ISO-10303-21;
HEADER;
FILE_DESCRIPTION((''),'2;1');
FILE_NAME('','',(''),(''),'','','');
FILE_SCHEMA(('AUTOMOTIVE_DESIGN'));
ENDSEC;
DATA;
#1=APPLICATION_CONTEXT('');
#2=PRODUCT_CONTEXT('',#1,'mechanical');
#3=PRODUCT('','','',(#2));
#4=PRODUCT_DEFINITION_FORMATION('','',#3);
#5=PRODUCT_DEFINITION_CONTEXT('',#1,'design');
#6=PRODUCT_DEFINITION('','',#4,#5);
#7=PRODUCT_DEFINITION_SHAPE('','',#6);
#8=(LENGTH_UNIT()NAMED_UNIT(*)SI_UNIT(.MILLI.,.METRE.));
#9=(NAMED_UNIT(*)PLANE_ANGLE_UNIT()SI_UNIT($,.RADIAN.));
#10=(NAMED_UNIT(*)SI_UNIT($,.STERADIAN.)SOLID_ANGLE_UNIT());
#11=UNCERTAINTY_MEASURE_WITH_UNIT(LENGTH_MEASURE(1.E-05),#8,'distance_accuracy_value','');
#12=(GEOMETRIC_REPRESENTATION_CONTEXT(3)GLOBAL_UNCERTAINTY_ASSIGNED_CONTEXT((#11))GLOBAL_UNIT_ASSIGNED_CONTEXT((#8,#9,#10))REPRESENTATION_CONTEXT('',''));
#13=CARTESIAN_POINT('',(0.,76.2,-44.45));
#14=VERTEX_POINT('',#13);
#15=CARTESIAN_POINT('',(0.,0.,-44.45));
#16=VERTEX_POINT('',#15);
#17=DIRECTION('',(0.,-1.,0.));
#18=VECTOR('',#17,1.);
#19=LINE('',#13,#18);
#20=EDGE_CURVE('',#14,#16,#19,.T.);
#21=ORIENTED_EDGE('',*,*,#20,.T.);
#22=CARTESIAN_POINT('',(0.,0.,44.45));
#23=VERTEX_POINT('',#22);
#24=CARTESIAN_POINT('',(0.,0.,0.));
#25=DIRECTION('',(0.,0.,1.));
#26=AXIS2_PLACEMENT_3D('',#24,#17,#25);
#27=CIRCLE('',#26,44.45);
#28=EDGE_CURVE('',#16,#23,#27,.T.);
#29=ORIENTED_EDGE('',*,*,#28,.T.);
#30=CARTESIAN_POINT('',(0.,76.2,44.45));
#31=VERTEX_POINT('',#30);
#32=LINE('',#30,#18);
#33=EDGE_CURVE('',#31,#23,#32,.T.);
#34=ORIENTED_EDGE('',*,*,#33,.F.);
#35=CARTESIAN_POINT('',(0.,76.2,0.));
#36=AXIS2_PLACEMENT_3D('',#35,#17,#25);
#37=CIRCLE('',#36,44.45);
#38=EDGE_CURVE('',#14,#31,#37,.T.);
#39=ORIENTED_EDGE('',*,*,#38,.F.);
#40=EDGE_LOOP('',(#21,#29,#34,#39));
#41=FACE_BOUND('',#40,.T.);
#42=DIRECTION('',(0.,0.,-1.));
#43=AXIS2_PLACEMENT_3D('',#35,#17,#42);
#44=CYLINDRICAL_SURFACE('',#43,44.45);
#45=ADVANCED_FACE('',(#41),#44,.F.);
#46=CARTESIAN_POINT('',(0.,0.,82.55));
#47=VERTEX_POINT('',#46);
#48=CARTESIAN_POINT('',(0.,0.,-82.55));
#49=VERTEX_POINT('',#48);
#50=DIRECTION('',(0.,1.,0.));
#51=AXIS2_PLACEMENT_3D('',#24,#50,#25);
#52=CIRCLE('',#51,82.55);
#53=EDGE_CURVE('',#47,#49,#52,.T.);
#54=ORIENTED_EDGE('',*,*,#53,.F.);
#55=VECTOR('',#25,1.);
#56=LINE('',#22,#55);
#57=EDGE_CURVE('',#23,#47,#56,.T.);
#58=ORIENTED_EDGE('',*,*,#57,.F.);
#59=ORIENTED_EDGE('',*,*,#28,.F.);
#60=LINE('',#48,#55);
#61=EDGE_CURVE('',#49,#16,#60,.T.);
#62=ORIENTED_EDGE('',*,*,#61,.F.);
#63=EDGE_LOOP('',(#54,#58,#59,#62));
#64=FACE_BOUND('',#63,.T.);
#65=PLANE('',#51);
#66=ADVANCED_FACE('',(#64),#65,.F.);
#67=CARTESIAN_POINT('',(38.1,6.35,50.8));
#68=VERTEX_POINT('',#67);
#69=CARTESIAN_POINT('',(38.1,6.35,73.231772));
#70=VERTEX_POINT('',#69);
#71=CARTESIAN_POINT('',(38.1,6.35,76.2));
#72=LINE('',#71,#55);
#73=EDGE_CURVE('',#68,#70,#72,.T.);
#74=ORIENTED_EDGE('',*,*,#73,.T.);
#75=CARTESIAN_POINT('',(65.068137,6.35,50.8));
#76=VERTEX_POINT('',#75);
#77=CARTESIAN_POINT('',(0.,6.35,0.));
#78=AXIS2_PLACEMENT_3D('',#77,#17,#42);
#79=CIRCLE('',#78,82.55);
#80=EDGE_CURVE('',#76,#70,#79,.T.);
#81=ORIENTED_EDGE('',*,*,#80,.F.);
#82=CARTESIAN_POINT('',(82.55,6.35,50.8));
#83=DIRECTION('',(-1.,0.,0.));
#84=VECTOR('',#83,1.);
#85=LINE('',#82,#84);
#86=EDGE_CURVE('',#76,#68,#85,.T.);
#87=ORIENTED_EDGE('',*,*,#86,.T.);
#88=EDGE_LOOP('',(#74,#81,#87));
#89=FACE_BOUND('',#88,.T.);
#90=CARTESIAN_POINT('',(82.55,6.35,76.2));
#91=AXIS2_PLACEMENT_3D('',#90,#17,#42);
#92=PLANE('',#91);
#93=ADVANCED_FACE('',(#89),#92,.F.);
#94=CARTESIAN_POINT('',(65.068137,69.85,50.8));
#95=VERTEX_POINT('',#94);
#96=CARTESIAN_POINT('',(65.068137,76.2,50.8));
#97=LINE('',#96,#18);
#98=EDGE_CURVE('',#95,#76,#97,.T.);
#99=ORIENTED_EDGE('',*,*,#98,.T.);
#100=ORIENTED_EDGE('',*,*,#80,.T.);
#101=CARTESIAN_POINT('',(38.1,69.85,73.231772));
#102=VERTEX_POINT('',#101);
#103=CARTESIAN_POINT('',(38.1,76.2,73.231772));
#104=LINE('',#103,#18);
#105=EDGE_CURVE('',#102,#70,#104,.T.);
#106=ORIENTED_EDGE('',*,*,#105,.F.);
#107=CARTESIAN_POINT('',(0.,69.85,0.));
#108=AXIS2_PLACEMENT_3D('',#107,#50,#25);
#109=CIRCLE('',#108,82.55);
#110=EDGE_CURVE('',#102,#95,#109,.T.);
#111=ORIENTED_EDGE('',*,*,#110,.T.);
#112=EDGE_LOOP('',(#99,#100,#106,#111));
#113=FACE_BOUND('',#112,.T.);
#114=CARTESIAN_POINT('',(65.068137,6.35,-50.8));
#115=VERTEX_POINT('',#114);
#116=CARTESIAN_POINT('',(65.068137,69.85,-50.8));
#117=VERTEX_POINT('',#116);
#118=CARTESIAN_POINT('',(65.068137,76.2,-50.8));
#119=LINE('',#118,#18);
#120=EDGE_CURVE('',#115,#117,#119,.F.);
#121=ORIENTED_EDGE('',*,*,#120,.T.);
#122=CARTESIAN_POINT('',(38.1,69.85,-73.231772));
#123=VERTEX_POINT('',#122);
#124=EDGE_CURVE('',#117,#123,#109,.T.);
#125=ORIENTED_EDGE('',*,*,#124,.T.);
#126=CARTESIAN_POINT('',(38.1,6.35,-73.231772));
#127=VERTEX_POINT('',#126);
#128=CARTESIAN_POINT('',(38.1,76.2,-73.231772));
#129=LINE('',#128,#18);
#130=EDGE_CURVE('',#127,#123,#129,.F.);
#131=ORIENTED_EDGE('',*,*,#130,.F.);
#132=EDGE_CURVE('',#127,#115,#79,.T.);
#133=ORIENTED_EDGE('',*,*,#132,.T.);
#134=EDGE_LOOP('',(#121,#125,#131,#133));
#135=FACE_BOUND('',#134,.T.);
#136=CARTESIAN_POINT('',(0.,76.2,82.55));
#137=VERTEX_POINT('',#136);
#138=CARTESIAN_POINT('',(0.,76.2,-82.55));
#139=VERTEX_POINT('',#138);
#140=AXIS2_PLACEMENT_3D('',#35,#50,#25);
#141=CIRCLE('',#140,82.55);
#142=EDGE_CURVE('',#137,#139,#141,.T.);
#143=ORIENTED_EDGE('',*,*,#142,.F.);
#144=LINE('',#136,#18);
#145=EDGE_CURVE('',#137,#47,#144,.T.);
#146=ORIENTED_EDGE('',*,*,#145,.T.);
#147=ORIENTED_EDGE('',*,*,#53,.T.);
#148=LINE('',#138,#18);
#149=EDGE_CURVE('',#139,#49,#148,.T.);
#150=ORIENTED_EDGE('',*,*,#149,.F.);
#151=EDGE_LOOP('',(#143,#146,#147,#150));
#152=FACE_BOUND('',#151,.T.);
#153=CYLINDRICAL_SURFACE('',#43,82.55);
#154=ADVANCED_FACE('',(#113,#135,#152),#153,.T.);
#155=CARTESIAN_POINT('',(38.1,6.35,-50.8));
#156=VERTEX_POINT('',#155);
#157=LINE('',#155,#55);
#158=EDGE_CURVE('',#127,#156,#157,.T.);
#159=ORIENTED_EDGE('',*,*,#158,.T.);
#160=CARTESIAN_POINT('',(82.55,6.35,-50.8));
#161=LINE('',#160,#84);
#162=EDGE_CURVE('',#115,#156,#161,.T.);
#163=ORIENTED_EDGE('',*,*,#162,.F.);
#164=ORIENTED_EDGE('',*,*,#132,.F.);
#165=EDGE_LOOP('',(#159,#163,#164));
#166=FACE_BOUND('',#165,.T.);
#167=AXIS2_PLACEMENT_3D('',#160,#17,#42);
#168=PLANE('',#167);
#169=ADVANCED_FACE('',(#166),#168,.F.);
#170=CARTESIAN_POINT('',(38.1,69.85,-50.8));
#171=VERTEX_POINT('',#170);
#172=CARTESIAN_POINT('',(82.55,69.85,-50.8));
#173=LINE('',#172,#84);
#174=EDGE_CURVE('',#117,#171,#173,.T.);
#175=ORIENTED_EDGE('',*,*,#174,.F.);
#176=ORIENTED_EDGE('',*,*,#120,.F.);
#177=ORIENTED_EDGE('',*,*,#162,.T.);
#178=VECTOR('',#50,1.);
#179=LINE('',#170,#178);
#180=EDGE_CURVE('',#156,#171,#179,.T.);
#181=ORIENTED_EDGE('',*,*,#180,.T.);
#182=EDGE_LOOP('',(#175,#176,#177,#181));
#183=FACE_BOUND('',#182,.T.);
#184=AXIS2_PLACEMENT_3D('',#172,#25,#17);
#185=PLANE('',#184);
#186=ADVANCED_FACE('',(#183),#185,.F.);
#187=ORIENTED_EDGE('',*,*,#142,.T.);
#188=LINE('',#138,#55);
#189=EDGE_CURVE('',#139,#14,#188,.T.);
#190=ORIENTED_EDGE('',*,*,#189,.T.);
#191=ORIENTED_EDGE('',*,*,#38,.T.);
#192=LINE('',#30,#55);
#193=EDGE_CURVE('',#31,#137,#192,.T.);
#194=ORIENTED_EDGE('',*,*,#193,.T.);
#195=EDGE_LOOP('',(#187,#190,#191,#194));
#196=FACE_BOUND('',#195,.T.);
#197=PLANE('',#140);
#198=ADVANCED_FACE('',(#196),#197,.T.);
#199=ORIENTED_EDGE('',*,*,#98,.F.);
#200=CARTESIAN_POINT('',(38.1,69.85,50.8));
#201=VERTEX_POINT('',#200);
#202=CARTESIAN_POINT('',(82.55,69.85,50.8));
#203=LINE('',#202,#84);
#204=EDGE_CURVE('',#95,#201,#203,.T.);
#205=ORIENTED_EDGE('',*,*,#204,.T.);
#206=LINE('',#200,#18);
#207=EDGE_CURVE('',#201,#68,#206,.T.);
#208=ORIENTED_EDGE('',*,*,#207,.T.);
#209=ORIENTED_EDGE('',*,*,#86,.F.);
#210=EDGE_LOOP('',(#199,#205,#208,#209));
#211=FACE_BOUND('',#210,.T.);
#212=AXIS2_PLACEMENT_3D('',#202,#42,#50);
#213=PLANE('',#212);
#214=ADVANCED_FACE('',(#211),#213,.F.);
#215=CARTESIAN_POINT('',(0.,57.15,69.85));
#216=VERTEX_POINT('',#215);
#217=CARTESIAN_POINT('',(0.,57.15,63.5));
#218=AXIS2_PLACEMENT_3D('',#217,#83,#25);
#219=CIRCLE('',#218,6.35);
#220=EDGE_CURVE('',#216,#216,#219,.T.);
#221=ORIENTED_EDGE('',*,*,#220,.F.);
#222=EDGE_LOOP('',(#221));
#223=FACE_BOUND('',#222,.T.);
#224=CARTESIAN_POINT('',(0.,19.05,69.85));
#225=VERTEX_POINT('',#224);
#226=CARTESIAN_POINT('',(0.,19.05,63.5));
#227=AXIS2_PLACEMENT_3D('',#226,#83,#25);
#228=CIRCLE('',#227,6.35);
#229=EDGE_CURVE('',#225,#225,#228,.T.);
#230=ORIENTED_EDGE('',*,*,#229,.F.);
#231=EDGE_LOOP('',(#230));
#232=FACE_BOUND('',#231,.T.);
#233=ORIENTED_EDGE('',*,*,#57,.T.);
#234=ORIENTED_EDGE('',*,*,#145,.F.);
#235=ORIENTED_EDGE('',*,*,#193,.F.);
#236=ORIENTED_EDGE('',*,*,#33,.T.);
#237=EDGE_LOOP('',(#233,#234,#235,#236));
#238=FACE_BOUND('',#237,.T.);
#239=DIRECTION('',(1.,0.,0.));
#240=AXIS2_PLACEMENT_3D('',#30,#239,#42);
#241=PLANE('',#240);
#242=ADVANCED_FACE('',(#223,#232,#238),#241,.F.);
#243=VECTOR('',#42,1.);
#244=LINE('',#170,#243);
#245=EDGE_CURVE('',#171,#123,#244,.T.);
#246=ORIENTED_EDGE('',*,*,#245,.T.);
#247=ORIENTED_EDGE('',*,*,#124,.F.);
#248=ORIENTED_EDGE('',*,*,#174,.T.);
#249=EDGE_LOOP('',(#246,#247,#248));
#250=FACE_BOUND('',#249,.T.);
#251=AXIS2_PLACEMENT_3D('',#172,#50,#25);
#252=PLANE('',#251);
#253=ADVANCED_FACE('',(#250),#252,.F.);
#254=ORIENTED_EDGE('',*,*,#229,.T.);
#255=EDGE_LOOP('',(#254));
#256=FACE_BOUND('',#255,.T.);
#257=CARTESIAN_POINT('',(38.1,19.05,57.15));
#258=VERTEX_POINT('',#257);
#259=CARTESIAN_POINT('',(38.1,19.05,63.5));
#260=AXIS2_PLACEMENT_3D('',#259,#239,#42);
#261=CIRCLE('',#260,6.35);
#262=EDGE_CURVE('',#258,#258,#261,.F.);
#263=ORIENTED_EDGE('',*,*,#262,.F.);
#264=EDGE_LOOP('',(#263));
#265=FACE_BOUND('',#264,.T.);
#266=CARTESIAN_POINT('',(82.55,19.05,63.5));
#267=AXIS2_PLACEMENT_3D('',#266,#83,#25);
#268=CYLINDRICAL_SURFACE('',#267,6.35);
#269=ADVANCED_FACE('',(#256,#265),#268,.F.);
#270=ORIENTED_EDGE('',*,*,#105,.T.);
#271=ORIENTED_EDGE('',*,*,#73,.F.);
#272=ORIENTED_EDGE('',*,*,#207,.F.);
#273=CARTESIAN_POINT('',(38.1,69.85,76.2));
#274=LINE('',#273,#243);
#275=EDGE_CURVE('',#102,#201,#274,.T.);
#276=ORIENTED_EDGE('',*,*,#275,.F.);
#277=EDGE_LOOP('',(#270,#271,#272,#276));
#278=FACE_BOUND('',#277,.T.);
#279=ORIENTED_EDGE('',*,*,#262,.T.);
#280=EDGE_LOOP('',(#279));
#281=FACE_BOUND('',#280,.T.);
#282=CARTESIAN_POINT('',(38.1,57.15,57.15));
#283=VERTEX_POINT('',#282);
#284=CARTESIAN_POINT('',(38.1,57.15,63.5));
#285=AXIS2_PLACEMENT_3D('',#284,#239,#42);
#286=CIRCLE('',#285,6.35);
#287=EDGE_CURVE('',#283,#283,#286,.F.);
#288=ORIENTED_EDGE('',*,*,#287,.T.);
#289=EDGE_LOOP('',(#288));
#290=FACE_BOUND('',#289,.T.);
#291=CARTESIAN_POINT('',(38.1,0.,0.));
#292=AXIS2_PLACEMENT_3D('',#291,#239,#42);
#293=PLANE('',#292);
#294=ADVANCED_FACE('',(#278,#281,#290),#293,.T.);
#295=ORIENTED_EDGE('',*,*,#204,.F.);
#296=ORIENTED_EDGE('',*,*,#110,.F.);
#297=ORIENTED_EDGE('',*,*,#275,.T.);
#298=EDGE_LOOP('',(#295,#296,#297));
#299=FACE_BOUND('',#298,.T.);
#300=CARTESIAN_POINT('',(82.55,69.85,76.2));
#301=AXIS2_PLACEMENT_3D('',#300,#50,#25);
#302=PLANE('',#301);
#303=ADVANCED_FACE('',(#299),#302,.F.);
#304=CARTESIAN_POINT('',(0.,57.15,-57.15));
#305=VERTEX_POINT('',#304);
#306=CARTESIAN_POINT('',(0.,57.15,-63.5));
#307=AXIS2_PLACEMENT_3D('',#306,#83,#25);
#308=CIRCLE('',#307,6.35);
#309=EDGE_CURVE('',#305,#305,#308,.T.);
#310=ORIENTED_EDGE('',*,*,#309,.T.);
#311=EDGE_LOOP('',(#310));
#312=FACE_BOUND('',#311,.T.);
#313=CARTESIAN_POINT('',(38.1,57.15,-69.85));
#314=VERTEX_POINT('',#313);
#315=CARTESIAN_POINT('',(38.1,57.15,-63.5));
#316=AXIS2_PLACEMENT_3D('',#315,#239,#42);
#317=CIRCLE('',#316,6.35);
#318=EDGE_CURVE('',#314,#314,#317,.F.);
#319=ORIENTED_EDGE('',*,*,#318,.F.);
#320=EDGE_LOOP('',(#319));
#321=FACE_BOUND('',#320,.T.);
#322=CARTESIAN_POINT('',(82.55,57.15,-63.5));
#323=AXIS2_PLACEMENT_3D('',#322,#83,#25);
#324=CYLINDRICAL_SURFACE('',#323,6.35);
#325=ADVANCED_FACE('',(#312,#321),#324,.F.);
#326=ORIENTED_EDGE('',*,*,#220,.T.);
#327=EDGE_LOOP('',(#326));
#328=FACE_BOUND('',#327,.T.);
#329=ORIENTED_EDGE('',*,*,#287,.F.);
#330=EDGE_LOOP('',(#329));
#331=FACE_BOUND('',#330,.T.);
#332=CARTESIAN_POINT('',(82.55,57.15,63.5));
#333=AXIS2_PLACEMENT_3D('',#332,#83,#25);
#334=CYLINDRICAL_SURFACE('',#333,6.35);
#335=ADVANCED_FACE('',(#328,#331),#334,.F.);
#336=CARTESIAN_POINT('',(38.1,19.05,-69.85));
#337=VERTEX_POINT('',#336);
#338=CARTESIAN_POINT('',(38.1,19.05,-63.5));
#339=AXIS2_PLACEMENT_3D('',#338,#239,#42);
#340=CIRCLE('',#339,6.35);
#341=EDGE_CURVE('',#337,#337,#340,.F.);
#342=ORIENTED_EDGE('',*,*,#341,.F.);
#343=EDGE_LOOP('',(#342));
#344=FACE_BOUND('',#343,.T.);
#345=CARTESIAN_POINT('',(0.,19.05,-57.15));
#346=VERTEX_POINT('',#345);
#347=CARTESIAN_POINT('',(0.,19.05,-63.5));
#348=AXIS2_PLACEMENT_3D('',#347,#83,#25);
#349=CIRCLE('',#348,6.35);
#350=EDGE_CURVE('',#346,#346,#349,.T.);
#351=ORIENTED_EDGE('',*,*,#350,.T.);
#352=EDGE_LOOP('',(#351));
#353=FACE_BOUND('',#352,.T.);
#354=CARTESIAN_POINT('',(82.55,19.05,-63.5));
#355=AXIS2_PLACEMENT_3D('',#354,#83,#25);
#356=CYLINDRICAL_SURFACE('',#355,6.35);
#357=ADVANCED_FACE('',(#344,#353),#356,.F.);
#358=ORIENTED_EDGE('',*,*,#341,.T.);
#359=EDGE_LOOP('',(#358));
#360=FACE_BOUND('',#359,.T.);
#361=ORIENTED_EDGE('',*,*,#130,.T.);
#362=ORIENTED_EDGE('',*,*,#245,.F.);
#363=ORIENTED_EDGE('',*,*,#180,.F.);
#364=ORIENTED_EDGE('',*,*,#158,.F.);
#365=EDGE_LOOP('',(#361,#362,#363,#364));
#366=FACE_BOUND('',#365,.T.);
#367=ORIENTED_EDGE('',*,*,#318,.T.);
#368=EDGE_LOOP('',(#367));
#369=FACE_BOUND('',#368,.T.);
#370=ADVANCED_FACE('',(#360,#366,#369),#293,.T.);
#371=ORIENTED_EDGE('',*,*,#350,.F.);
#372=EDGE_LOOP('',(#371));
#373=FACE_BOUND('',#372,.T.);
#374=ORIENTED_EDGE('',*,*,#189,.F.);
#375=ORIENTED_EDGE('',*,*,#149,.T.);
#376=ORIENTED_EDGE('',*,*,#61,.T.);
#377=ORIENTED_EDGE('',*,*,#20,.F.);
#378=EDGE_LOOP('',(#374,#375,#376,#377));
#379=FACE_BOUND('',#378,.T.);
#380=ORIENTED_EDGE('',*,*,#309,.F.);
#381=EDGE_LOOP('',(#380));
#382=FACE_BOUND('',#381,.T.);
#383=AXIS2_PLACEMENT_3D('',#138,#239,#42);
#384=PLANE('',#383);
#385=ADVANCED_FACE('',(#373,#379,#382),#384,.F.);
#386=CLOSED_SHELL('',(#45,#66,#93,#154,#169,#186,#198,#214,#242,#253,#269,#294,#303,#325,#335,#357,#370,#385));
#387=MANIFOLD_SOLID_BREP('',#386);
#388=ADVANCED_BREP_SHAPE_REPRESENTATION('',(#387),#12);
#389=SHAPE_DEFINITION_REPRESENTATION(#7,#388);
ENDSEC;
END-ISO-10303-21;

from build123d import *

# Parameters (mm, degrees)
BOSS_EXTRUDE1_DEPTH = 76.2
SKETCH2_R           = 6.35
CUT_EXTRUDE1_DEPTH  = 83.55
SKETCH3_W           = 25.4
SKETCH3_H           = 63.5
CUT_EXTRUDE2_DEPTH  = 45.4500001


with BuildPart() as part:
    # Sketch1 → Boss-Extrude1 (new body)
    with BuildSketch(Plane(origin=(0, 0, 0), x_dir=(1, 0, 0), z_dir=(0, 1, 0))):
        with BuildLine():
            Line((0, 82.55), (0, 44.45))
            ThreePointArc((0, 44.45), (44.45, 0), (0, -44.45))
            Line((0, -44.45), (0, -82.55))
            ThreePointArc((0, -82.55), (82.55, 0), (0, 82.55))
        make_face()
    extrude(amount=BOSS_EXTRUDE1_DEPTH)

    # Sketch2 → Cut-Extrude1 (cut, through all)
    with BuildSketch(Plane.ZY):
        with Locations((-63.5, 57.15)):
            Circle(SKETCH2_R)
        with Locations((-63.5, 19.05)):
            Circle(SKETCH2_R)
        with Locations((63.5, 19.05)):
            Circle(SKETCH2_R)
        with Locations((63.5, 57.15)):
            Circle(SKETCH2_R)
    extrude(amount=-CUT_EXTRUDE1_DEPTH, mode=Mode.SUBTRACT)

    # Sketch3 → Cut-Extrude2 (cut, through all)
    with BuildSketch(Plane.ZY.offset(-38.1)):
        with Locations((63.5, 38.1)):
            Rectangle(SKETCH3_W, SKETCH3_H)
        with Locations((-63.5, 38.1)):
            Rectangle(SKETCH3_W, SKETCH3_H)
    extrude(amount=-CUT_EXTRUDE2_DEPTH, mode=Mode.SUBTRACT)


solid = part.part
